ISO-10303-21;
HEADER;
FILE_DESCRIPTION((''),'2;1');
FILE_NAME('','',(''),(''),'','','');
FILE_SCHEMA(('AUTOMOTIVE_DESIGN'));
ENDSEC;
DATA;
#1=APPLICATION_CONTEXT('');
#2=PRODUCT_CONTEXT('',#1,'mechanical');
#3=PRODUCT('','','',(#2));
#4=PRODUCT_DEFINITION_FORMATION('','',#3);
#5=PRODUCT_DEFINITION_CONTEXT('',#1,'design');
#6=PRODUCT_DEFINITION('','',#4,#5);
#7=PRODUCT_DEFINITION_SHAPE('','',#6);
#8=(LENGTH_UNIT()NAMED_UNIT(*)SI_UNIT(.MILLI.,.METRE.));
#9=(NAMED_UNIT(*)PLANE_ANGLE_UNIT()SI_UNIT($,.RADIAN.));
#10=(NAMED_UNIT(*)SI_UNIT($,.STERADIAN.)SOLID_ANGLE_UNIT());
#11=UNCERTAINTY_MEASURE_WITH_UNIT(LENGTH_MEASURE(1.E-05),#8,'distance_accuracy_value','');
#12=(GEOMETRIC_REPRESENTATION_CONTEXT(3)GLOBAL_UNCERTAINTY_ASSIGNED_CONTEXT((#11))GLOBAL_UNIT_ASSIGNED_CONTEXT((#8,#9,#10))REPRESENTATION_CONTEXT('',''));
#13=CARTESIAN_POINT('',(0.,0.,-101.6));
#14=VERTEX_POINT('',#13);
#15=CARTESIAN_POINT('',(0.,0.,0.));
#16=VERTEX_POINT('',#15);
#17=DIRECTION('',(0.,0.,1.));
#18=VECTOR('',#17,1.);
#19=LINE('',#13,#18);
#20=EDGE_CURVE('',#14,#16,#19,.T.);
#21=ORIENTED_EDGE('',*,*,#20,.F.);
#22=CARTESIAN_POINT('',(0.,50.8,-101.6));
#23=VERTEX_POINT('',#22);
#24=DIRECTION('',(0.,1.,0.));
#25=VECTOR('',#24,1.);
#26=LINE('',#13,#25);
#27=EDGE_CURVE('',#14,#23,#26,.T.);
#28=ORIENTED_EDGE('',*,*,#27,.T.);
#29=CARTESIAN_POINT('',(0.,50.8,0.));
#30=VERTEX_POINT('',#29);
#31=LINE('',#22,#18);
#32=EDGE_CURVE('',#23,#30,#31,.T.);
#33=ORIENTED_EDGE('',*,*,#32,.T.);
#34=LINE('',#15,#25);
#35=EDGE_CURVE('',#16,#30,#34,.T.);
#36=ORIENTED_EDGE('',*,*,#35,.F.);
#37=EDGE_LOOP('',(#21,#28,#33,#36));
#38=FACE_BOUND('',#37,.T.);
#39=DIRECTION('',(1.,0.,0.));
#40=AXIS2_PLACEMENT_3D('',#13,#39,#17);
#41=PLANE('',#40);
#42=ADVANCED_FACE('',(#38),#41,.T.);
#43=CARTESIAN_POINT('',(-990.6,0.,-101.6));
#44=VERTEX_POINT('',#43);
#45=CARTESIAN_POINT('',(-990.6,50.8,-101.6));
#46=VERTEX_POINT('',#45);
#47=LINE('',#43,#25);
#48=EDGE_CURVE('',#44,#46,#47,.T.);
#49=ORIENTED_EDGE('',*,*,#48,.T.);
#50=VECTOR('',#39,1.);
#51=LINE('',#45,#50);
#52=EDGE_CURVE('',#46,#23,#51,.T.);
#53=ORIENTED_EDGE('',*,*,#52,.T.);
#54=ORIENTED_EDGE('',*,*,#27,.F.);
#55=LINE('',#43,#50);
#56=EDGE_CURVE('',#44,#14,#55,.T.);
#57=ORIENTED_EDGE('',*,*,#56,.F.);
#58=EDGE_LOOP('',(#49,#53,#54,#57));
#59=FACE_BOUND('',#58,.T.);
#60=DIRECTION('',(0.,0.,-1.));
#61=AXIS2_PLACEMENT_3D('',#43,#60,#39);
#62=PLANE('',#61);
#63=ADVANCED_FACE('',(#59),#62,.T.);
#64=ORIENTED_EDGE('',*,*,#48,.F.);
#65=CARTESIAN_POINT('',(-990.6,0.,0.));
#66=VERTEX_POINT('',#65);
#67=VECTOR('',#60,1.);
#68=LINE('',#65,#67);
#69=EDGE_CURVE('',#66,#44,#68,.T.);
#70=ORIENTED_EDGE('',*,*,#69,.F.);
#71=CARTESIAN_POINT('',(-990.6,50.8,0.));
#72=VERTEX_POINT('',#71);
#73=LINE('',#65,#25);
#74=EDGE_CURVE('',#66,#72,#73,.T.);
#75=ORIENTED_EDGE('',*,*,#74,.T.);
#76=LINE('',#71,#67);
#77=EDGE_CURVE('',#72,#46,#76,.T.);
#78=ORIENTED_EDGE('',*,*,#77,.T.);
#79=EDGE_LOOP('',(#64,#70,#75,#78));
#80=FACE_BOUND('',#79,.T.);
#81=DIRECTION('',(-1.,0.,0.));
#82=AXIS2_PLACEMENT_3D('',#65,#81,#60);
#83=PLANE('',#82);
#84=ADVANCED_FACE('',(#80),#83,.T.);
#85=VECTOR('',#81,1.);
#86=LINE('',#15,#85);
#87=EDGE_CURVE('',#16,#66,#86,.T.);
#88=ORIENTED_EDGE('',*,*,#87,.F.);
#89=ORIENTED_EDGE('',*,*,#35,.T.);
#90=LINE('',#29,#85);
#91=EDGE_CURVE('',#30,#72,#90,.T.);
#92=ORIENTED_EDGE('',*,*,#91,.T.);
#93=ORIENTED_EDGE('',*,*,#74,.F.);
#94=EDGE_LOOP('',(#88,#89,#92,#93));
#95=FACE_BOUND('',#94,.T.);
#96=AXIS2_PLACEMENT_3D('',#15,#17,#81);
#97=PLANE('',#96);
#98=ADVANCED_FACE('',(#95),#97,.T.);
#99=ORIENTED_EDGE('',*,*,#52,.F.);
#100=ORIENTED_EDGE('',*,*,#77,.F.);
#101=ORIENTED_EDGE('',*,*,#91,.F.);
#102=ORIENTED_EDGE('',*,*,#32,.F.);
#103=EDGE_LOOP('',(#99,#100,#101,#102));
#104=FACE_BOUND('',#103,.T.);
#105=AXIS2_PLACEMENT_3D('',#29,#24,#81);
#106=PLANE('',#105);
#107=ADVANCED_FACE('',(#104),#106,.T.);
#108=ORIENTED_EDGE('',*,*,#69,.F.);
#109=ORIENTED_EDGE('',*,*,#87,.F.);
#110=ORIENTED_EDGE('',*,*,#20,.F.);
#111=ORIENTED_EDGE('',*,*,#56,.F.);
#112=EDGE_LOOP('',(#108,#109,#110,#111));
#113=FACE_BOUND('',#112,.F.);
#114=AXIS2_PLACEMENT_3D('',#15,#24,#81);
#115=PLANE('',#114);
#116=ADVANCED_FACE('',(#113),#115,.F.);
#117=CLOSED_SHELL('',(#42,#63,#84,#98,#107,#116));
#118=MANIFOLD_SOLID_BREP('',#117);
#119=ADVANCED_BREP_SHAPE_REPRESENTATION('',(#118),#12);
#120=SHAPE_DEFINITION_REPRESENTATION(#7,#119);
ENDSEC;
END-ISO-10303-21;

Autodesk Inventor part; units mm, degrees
ref_plane "YZ Plane" through (0, 0, 0) normal (1, 0, 0) x (0, 1, 0)
ref_plane "XZ Plane" through (0, 0, 0) normal (0, 1, 0) x (-1, 0, 0)
ref_plane "XY Plane" through (0, 0, 0) normal (0, 0, 1) x (1, 0, 0)
sketch "Sketch1" plane through (0, 0, 0) normal (0, 1, 0) x (-1, 0, 0)
  line L0 (0, 0) -> (990.6, 0)
  line L1 (990.6, 0) -> (990.6, -101.6)
  line L2 (990.6, -101.6) -> (0, -101.6)
  line L3 (0, -101.6) -> (0, 0)
  dimension "d0" = 990.6
  dimension "d1" = 101.6
extrude "Extrusion1" add sketch "Sketch1" along normal blind 50.8
properties part number "2x4x39"
